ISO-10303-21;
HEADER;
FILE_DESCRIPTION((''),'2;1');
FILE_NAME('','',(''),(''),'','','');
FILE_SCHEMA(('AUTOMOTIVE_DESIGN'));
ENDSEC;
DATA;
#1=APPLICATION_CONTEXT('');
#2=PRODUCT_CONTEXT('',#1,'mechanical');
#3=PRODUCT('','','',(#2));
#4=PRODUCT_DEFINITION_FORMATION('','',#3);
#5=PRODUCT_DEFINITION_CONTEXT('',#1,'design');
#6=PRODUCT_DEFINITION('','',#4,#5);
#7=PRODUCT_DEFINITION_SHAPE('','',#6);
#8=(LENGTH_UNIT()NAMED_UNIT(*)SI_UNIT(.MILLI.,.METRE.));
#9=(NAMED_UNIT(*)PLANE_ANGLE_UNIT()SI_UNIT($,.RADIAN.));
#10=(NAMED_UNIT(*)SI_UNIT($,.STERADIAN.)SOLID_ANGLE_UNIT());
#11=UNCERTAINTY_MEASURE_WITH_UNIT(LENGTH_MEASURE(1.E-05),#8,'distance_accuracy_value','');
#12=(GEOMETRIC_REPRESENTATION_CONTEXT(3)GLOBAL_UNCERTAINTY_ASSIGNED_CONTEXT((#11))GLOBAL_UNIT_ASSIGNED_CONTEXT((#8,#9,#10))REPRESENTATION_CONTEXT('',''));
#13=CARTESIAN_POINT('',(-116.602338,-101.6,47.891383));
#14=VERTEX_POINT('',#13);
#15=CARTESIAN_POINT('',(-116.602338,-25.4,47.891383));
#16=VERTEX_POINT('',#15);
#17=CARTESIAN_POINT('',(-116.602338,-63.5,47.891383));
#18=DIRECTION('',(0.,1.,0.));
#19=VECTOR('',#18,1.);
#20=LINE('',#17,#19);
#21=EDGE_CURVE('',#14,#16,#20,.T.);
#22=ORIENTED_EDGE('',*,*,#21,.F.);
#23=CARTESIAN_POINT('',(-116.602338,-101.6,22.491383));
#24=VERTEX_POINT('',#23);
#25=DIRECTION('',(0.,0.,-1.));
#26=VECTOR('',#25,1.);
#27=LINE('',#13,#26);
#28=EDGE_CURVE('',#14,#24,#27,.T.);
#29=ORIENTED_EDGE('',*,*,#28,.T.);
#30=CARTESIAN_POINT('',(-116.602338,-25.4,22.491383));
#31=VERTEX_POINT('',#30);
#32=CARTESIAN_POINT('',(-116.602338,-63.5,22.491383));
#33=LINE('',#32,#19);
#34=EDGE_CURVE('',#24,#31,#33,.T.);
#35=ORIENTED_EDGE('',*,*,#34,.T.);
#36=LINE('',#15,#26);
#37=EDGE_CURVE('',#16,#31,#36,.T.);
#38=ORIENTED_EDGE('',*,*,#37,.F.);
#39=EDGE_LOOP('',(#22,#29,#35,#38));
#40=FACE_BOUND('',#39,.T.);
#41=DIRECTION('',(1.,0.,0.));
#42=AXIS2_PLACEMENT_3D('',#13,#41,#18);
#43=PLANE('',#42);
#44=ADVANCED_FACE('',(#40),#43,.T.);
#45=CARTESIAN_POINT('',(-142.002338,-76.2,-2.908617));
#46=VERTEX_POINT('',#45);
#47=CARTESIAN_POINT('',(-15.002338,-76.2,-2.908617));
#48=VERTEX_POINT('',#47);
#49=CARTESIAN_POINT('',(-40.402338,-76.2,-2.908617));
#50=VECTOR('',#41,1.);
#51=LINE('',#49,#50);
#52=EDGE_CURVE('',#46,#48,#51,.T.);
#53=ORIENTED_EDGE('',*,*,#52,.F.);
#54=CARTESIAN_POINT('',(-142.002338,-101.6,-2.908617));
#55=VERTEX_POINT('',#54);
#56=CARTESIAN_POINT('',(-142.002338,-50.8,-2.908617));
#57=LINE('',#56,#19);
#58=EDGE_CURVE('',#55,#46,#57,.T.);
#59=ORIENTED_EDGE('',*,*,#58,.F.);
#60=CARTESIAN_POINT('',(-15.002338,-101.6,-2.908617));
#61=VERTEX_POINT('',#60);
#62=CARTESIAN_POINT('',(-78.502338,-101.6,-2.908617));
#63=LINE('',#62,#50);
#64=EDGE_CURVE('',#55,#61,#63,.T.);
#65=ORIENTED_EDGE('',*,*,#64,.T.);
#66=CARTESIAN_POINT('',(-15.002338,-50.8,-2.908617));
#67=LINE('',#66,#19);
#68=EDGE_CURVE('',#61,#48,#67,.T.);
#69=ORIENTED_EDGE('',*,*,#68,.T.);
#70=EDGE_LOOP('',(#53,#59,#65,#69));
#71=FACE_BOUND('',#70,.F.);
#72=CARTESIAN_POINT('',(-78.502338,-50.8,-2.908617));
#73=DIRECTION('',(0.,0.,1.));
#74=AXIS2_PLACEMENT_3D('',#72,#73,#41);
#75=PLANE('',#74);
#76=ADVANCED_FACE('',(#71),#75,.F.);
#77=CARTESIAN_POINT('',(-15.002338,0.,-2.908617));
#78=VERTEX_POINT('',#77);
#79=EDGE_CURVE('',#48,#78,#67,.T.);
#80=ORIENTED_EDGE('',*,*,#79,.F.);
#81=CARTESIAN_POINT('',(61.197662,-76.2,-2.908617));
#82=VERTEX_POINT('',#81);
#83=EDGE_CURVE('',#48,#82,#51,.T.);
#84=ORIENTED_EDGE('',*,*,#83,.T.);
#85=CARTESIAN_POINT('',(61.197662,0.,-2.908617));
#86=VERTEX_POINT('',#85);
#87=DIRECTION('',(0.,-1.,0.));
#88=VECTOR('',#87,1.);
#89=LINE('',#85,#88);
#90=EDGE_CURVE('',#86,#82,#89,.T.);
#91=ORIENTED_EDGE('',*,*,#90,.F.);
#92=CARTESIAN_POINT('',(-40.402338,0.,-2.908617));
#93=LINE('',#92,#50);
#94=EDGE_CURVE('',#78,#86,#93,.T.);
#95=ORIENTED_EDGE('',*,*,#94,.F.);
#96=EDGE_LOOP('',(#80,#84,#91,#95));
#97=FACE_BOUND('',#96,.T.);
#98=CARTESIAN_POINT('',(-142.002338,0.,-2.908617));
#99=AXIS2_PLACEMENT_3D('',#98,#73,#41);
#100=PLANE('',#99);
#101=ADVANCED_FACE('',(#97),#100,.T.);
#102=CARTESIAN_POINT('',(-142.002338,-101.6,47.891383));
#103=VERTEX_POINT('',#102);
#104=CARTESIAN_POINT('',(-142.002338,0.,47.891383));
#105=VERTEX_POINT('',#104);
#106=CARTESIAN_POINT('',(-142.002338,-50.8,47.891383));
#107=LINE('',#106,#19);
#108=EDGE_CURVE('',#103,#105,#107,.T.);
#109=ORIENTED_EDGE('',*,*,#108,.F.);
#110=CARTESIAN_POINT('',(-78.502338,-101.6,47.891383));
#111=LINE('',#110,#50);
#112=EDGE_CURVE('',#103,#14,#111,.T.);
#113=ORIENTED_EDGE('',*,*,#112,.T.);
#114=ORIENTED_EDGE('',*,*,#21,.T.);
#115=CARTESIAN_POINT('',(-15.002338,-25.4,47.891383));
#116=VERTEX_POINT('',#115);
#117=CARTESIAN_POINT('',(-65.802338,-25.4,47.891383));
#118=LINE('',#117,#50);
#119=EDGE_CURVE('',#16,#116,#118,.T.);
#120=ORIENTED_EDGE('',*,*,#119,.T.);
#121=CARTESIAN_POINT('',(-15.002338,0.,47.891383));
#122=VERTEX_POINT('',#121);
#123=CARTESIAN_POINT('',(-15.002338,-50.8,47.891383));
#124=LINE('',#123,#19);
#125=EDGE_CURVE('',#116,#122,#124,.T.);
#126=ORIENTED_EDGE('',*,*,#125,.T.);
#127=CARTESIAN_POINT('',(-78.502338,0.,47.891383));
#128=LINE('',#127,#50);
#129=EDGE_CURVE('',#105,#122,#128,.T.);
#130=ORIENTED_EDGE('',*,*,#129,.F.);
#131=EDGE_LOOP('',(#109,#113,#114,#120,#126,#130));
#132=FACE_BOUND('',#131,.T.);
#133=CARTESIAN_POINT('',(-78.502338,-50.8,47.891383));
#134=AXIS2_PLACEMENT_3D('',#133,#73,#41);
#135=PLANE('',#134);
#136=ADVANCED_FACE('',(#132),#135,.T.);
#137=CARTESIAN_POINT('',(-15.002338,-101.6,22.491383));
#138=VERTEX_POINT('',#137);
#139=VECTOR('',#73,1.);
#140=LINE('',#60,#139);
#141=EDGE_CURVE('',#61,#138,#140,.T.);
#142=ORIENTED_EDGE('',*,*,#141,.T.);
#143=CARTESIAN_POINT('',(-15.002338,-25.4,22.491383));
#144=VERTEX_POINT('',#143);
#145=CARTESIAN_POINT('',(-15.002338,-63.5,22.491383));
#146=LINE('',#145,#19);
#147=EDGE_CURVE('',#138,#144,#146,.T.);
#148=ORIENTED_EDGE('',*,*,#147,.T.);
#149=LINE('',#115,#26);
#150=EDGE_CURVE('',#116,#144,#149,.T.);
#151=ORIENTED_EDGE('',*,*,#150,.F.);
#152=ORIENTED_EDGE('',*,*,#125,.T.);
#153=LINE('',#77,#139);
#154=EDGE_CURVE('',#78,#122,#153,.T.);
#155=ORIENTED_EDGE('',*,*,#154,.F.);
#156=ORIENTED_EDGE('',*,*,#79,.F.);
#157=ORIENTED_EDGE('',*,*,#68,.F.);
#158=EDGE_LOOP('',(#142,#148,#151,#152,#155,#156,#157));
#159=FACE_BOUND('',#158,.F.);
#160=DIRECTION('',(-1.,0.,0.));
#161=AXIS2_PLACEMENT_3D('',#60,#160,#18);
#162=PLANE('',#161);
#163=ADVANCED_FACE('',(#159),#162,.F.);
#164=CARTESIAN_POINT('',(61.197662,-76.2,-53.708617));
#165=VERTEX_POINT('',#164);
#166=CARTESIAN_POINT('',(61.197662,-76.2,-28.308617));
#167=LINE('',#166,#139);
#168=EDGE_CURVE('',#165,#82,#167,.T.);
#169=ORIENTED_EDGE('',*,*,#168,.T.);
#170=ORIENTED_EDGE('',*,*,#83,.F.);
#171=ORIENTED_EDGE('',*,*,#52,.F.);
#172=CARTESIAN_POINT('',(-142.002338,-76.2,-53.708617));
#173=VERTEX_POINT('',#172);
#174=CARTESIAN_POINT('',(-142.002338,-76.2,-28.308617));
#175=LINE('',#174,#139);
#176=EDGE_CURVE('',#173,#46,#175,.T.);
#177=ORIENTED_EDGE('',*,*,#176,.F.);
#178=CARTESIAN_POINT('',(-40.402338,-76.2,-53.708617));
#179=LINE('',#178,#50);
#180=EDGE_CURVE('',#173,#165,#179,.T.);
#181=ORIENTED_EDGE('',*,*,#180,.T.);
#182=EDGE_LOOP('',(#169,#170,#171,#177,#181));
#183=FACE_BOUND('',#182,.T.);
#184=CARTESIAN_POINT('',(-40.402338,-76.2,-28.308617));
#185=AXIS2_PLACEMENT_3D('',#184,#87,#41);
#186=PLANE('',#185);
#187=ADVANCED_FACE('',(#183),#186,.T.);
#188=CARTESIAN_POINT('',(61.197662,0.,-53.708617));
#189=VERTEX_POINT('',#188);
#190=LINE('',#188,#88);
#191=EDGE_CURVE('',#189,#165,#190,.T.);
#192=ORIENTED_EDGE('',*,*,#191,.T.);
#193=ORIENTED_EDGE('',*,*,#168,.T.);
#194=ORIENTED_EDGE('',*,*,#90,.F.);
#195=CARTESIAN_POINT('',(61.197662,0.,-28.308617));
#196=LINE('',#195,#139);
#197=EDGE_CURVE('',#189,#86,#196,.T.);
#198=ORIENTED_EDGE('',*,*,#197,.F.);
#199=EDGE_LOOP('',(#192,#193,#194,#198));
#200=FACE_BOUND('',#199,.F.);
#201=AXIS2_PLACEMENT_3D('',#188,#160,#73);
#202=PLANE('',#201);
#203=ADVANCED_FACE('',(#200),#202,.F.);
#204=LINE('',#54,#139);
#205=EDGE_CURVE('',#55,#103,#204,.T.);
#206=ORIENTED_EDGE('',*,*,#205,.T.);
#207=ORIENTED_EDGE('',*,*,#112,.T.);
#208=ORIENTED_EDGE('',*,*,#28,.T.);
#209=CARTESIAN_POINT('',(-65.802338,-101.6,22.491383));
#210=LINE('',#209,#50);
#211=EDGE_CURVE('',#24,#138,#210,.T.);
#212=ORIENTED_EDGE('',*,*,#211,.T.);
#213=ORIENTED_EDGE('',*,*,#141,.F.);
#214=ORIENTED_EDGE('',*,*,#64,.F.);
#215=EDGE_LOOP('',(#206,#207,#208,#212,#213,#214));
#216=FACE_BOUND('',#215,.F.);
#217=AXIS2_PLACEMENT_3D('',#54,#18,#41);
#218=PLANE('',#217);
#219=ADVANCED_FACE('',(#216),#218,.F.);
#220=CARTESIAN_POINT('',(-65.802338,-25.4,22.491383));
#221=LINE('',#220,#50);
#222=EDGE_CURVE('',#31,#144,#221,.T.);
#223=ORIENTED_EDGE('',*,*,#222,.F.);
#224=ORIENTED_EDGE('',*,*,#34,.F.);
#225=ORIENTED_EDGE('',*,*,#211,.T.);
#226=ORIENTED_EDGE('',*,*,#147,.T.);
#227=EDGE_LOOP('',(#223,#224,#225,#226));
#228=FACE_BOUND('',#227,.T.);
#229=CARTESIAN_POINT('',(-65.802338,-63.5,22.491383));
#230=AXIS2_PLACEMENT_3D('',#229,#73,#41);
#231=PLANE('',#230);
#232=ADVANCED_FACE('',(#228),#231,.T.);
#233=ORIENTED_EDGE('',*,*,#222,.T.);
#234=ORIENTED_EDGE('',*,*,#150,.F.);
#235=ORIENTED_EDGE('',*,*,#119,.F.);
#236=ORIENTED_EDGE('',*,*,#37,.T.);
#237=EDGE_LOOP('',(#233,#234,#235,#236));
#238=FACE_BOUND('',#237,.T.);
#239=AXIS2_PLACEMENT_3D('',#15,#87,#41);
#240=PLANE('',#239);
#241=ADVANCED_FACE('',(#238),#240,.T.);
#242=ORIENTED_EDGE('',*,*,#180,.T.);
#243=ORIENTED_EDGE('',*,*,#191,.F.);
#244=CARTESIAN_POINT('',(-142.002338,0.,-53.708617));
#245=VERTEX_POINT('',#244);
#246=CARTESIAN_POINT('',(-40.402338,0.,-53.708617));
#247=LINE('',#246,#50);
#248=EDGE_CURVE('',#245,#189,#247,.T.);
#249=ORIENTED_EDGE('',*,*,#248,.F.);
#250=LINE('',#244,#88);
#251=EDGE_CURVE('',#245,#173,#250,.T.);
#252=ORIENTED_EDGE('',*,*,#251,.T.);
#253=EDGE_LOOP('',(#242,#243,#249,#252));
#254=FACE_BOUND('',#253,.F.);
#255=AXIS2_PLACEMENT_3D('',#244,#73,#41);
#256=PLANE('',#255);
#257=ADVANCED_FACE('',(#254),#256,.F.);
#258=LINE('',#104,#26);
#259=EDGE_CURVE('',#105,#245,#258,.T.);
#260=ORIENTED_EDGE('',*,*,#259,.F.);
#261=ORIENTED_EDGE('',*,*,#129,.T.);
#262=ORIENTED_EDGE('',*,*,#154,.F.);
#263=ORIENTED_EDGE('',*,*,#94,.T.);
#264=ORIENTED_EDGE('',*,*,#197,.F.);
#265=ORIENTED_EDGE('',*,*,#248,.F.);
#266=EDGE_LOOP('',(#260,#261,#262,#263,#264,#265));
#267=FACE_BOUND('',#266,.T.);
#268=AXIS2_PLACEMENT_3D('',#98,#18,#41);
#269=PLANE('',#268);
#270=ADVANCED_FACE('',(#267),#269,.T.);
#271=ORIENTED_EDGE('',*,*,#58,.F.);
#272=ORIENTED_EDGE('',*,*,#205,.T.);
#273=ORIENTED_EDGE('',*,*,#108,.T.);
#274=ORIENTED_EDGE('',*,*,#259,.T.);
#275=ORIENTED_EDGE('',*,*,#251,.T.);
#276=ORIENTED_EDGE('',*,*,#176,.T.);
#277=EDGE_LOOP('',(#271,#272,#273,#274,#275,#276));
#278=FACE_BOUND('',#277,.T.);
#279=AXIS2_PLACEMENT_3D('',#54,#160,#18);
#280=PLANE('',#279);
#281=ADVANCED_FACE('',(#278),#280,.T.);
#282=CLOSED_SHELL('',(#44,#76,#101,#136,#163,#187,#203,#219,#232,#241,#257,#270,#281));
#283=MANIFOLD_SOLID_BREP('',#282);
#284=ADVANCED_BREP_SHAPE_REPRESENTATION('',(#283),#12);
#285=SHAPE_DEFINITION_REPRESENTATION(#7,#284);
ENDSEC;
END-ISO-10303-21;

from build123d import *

# Parameters (mm, degrees)
F0_W     = 203.2
F0_H     = 50.8
F1_DEPTH = 76.2
F2_W     = 127
F2_H     = 101.6
F3_DEPTH = 50.8
F4_W     = 101.6
F4_H     = 76.2
F5_DEPTH = 25.4


with BuildPart() as f1:
    # F0 (on Front) → F1 (new body)
    with BuildSketch(Plane.XZ):
        with Locations((-40.402338, -28.308617)):
            Rectangle(F0_W, F0_H)
    extrude(amount=F1_DEPTH)

    # F2 (on face) → F3 (join)
    with BuildSketch(Plane.XY.offset(-2.908617)):
        with Locations((-78.502338, -50.8)):
            Rectangle(F2_W, F2_H)
    extrude(amount=F3_DEPTH)

    # F4 (on face) → F5 (cut)
    with BuildSketch(Plane.XY.offset(47.891383)):
        with Locations((-65.802338, -63.5)):
            Rectangle(F4_W, F4_H)
    extrude(amount=-F5_DEPTH, mode=Mode.SUBTRACT)


solid = f1.part
